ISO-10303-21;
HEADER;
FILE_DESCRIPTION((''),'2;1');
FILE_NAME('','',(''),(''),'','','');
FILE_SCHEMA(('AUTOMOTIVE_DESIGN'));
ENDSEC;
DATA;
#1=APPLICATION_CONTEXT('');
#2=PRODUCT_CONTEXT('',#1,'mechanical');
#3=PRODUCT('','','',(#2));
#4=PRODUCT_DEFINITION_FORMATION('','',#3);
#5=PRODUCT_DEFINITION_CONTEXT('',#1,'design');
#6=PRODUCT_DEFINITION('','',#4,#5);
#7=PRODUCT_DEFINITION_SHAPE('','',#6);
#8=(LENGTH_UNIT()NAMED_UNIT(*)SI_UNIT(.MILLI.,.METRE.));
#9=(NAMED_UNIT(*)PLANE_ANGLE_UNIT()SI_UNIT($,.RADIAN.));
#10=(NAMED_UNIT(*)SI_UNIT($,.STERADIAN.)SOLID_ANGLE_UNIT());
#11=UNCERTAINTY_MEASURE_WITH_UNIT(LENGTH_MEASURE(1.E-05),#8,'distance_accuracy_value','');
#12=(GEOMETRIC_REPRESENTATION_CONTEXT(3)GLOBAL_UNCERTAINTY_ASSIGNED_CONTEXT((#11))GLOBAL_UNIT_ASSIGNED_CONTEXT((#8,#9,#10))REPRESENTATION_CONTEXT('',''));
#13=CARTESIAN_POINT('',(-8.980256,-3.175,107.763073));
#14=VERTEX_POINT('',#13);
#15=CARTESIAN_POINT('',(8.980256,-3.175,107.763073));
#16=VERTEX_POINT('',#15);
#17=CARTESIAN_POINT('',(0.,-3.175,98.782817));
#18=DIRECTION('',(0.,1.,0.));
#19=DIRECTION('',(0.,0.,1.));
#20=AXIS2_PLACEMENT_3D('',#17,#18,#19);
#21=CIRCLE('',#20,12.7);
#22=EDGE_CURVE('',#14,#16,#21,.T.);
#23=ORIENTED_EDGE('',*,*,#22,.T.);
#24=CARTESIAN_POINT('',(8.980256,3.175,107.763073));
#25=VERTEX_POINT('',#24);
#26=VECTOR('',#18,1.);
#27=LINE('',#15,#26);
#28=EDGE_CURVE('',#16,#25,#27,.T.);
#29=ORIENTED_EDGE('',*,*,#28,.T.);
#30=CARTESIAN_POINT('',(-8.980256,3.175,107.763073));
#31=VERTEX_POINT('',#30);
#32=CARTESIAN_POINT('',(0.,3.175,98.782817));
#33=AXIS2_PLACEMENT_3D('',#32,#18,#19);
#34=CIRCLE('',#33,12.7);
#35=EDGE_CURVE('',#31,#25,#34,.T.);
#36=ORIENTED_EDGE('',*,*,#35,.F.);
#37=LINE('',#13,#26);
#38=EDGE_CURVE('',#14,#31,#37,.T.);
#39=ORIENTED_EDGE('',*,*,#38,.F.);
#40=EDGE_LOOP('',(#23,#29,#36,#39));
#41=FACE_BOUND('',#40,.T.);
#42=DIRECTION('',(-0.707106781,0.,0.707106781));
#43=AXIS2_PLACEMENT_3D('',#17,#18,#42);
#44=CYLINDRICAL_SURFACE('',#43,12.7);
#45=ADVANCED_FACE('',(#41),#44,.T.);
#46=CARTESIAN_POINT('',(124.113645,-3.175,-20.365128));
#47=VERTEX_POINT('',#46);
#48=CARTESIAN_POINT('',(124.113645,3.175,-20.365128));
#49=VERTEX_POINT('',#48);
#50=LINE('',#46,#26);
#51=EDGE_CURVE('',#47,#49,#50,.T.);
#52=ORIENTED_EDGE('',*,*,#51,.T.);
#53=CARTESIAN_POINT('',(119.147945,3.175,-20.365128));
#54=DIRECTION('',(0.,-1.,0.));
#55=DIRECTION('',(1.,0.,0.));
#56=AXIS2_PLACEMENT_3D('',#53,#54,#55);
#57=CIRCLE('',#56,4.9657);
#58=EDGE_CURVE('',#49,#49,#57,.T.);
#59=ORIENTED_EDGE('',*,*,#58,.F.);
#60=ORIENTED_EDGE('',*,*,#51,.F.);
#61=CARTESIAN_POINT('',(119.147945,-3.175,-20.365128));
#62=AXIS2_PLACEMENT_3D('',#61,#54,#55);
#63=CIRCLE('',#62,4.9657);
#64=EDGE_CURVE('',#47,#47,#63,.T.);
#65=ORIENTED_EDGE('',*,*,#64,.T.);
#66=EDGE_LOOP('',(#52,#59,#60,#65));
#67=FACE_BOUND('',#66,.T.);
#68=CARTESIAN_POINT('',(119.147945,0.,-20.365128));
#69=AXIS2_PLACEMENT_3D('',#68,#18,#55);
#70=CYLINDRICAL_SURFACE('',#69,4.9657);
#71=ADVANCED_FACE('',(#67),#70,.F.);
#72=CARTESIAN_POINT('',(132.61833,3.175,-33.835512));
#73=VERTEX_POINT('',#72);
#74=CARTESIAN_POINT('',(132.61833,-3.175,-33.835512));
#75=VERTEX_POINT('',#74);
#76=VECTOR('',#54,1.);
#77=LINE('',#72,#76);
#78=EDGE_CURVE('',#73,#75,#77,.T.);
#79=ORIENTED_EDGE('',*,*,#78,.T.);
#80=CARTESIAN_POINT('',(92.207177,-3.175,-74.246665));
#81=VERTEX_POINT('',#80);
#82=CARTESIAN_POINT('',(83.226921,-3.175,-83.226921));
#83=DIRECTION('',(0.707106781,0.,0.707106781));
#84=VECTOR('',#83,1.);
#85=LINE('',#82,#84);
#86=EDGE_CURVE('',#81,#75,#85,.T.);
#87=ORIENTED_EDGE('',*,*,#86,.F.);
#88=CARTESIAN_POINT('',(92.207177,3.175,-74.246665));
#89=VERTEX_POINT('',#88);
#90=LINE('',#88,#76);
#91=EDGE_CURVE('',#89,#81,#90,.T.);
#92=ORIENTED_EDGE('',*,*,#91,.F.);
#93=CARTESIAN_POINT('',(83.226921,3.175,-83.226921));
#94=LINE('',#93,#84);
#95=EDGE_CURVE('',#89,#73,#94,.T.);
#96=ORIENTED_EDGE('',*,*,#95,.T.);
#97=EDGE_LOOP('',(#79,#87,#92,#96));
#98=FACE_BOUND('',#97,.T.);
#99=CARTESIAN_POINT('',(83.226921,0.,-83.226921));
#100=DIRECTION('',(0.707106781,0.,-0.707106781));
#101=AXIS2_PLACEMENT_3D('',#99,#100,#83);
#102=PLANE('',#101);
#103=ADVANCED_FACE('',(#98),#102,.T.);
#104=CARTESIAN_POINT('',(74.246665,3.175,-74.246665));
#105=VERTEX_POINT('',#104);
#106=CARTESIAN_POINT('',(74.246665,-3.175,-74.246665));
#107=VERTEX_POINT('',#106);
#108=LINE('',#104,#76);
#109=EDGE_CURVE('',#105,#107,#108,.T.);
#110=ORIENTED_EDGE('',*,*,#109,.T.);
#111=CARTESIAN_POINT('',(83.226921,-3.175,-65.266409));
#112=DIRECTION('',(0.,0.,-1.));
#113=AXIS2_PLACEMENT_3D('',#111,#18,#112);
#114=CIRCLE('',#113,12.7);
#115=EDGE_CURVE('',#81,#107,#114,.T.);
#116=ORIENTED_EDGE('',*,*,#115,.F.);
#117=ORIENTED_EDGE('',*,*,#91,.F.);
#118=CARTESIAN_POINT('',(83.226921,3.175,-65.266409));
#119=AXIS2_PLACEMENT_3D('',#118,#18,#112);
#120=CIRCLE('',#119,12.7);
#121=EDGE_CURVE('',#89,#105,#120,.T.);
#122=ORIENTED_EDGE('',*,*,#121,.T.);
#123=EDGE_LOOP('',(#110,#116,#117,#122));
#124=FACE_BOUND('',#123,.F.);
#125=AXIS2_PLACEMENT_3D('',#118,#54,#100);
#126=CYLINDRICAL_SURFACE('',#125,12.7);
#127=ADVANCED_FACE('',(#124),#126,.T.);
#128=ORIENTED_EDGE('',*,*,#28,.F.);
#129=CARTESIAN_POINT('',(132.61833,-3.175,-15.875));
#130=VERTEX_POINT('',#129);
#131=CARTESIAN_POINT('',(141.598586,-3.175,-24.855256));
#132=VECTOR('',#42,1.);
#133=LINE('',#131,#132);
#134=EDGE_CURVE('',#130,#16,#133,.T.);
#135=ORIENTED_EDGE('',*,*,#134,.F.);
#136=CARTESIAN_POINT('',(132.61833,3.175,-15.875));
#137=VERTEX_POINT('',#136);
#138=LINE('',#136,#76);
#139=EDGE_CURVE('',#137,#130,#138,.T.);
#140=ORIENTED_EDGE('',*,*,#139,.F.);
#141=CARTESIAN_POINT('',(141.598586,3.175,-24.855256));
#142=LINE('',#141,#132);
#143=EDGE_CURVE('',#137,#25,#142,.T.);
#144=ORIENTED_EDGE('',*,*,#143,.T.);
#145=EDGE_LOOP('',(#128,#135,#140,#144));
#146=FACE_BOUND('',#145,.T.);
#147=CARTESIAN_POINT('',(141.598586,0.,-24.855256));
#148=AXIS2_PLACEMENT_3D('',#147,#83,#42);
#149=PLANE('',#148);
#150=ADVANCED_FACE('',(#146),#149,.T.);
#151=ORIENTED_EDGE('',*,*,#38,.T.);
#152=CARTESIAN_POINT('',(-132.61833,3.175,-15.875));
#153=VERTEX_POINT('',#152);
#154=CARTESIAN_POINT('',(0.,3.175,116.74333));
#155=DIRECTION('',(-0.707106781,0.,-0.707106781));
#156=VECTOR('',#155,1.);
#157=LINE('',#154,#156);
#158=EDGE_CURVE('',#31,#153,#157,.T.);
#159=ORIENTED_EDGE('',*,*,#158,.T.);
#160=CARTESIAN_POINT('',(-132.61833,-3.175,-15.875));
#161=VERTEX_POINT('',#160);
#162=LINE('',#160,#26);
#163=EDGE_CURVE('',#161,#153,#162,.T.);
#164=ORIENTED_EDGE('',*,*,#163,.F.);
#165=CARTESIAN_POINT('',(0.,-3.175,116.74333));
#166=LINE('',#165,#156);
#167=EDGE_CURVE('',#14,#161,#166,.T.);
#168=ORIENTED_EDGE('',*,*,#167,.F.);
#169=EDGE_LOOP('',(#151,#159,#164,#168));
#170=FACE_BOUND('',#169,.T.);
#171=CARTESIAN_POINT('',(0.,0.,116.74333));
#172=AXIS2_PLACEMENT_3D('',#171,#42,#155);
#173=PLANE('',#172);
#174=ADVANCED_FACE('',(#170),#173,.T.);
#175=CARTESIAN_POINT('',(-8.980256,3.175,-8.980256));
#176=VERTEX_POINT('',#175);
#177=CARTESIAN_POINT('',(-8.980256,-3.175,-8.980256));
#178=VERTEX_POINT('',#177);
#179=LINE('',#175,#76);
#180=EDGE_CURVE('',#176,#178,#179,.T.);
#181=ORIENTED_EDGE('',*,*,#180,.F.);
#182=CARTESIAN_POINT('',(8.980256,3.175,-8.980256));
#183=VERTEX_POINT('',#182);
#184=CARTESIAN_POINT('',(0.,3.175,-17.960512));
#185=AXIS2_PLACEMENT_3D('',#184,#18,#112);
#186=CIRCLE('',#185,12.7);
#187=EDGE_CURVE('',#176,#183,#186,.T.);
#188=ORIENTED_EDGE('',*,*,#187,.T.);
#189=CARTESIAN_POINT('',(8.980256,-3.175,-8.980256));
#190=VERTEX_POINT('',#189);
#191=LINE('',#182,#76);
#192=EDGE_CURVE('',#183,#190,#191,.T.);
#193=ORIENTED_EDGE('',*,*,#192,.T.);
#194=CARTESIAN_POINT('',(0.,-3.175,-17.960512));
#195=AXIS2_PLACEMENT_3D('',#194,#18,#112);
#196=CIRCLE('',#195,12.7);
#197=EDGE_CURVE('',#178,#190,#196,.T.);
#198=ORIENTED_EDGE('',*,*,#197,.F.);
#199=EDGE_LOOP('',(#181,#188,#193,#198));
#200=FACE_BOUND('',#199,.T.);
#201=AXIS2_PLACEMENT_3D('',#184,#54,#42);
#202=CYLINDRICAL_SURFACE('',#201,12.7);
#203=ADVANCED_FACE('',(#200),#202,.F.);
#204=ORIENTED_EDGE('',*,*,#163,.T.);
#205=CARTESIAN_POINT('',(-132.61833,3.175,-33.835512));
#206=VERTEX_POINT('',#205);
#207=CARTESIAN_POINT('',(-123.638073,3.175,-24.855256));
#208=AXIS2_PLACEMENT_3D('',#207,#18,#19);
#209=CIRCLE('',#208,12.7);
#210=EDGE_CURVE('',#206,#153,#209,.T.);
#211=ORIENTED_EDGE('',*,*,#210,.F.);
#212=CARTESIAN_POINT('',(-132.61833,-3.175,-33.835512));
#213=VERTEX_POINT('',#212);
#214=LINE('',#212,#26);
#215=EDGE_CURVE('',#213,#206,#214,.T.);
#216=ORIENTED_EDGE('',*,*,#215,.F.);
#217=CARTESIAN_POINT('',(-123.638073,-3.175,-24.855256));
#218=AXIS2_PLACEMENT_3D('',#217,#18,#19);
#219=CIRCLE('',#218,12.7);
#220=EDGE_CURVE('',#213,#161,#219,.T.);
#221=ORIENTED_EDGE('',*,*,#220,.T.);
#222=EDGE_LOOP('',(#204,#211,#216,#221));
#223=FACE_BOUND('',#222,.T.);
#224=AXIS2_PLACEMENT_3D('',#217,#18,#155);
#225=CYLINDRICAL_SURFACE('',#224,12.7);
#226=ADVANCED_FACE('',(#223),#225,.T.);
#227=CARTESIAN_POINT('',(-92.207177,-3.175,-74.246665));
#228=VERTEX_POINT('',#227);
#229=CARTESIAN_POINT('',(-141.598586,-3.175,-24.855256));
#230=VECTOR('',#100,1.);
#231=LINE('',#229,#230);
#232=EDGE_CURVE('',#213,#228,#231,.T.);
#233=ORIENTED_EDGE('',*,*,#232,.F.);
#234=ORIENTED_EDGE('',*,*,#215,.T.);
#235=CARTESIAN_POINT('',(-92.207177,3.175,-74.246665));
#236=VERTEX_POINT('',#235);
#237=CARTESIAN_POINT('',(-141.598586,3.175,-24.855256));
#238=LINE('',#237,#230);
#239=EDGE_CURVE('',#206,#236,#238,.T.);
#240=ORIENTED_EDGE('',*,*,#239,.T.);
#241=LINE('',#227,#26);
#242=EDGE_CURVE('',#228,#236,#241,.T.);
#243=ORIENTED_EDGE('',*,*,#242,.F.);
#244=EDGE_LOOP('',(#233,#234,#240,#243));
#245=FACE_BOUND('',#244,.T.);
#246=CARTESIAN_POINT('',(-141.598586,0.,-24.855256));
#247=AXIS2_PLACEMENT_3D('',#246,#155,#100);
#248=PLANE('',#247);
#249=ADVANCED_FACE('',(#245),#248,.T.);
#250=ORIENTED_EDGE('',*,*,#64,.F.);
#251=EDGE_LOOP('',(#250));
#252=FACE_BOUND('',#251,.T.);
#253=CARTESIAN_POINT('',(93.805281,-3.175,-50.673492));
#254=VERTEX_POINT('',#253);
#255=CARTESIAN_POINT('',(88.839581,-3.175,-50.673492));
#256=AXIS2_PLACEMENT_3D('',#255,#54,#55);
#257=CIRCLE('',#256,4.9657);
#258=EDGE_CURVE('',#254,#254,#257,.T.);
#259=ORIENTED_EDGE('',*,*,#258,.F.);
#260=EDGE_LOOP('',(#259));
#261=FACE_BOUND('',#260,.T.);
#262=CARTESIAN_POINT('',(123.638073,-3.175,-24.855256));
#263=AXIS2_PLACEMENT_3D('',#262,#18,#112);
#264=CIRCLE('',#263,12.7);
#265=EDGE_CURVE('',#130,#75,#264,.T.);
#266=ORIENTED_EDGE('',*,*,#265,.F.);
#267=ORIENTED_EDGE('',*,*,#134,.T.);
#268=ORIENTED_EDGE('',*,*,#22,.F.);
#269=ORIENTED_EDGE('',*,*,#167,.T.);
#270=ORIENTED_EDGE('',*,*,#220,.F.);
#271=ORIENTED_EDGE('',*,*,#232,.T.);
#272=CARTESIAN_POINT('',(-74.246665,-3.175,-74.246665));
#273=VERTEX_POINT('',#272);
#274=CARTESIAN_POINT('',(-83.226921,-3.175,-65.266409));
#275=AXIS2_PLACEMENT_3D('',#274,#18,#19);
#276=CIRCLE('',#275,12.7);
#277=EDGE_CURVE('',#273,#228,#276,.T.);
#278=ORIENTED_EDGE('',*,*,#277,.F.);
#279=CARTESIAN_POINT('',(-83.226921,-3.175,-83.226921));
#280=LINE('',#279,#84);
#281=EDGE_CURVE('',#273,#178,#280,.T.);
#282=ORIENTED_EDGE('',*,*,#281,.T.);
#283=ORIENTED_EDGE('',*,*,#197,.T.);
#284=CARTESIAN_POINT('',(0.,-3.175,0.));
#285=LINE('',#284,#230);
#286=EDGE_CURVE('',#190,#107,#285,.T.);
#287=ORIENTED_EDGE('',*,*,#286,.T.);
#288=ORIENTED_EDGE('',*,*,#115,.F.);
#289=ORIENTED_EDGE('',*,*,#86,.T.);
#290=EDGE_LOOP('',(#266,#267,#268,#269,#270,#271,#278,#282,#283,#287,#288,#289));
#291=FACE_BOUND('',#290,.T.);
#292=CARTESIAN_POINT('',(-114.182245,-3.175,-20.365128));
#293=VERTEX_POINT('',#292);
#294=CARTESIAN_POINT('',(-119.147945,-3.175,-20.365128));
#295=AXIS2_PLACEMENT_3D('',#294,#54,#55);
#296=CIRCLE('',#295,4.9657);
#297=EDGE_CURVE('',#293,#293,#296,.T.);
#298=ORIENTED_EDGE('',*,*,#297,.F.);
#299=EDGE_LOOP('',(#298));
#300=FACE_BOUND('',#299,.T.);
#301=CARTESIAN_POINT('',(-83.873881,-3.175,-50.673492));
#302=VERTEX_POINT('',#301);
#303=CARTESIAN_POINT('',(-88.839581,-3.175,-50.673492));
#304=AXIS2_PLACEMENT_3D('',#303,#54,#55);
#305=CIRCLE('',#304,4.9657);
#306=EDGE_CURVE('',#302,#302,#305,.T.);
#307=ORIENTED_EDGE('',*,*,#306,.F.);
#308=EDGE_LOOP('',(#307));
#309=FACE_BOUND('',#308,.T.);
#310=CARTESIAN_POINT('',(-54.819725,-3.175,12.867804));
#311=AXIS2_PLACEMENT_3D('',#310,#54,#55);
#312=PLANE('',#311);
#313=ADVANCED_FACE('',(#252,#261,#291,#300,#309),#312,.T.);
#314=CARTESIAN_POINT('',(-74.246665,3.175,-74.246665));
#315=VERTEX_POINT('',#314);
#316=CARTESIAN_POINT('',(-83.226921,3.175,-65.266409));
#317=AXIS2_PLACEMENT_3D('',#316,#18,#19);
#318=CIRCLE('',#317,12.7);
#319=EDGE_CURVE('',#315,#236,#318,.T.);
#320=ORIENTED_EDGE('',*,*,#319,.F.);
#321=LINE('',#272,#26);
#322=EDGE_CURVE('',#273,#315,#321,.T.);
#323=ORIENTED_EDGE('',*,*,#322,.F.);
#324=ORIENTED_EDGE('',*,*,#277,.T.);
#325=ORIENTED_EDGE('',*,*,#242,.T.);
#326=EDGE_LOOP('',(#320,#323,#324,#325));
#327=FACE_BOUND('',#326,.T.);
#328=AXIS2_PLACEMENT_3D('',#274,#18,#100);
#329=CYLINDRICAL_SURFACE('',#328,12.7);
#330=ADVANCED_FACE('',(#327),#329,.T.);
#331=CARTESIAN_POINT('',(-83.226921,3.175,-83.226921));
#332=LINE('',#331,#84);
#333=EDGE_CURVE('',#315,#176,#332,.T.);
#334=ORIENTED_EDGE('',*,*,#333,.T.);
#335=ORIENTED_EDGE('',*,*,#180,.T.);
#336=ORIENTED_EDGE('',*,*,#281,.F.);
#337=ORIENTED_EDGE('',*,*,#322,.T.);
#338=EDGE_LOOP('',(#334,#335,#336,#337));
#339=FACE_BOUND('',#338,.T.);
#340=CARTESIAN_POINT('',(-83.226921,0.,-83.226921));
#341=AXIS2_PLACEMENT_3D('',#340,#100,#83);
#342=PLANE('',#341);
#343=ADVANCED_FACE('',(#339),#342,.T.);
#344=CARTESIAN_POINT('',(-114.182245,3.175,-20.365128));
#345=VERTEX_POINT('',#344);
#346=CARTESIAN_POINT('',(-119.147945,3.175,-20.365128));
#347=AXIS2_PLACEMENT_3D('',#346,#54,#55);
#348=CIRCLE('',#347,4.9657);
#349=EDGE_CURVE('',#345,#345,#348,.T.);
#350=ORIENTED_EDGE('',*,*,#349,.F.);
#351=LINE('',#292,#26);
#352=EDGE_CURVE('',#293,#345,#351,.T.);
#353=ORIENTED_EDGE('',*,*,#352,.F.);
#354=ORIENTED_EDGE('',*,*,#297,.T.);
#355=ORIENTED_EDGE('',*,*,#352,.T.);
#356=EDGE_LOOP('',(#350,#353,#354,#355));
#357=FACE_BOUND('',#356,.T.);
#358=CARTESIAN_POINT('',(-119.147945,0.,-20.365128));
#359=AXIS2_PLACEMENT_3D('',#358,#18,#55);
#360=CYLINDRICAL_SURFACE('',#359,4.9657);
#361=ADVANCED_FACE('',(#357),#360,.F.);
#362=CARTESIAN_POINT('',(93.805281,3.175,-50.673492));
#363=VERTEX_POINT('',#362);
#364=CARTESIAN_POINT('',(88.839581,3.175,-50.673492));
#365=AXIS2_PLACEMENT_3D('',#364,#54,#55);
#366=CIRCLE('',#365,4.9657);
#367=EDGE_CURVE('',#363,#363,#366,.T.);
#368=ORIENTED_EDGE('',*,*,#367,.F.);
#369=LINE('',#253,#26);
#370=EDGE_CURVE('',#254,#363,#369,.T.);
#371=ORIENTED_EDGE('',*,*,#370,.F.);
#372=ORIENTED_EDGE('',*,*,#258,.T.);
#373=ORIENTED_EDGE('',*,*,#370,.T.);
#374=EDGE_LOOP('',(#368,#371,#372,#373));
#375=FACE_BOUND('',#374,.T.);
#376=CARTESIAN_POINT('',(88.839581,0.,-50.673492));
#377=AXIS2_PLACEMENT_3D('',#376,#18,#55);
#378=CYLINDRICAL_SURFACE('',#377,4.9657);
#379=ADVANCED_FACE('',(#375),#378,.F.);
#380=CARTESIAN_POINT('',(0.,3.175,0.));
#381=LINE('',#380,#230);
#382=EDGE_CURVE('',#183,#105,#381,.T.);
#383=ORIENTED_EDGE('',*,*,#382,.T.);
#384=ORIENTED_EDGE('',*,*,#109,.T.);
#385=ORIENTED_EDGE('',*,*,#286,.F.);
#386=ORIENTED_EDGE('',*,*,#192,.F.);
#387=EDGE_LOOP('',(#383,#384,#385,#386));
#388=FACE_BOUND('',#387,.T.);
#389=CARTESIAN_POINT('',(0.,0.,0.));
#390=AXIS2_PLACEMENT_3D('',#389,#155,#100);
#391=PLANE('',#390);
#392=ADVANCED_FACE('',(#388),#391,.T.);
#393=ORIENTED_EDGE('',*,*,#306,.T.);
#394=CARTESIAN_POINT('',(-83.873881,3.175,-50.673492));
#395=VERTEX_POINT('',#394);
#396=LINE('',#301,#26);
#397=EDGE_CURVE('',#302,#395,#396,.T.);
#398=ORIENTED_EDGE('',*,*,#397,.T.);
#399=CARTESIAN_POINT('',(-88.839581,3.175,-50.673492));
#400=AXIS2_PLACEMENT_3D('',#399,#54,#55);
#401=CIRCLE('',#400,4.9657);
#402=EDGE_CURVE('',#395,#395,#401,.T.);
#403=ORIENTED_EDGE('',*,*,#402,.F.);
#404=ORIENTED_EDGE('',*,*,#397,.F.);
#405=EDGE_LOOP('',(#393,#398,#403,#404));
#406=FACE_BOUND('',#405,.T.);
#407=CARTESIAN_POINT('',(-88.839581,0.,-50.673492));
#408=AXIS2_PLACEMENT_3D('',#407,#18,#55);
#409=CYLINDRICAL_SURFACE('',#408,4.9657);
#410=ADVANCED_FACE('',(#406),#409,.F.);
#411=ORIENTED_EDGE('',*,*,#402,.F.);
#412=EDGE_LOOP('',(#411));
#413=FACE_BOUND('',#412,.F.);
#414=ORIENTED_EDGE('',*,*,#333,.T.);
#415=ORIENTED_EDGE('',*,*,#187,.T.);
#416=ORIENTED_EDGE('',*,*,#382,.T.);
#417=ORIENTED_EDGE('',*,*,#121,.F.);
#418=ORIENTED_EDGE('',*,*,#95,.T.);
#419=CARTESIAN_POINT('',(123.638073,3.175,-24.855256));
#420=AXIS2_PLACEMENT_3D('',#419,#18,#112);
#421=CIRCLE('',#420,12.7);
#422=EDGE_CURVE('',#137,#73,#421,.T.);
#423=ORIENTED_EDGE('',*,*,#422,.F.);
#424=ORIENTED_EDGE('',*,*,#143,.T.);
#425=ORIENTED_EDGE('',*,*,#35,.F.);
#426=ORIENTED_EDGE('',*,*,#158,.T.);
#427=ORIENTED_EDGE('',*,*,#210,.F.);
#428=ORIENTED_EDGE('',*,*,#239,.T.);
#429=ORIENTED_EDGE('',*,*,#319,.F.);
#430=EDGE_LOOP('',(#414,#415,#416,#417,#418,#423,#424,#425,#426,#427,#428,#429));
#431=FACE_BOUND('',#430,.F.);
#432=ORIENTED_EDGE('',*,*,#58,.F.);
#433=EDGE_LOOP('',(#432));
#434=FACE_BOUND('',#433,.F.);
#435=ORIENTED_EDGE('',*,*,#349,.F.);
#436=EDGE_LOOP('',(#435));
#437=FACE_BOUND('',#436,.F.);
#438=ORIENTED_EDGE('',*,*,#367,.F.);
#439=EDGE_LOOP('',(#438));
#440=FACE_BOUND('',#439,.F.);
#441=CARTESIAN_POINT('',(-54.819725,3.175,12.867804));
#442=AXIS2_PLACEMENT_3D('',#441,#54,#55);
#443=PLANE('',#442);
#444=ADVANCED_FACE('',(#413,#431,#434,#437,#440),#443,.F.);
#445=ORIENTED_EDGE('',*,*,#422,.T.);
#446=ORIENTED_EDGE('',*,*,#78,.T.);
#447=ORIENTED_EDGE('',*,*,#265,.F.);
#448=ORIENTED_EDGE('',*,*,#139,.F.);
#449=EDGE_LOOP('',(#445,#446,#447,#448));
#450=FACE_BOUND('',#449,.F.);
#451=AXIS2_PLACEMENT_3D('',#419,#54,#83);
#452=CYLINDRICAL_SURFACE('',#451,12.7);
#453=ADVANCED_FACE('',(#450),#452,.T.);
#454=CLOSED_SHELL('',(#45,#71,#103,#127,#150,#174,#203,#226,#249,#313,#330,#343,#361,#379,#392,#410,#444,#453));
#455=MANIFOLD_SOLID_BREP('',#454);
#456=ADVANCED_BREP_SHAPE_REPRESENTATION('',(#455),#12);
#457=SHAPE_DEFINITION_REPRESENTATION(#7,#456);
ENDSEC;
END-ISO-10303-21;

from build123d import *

# Parameters (mm, degrees)
F0_R     = 4.9657
F1_DEPTH = 3.175
F2_R     = 12.7


with BuildPart() as f1:
    # F0 (on Front) → F1 (new body, symmetric)
    with BuildSketch(Plane.XZ):
        Polygon((-83.226920908, -83.226920908), (0, 0), (0, 4.1710244843), (0, 116.7433295739), (-141.598585695, -24.8552561211), align=None)
        with Locations((-88.8395809837, -50.6734924691)):
            Circle(F0_R, mode=Mode.SUBTRACT)
        with Locations((-119.1479453923, -20.3651280605)):
            Circle(F0_R, mode=Mode.SUBTRACT)
        Polygon((0, 4.1710244843), (0, 0), (83.226920908, -83.226920908), (141.598585695, -24.8552561211), (0, 116.7433295739), align=None)
        with Locations((88.8395809837, -50.6734924691)):
            Circle(F0_R, mode=Mode.SUBTRACT)
        with Locations((119.1479453923, -20.3651280605)):
            Circle(F0_R, mode=Mode.SUBTRACT)
    extrude(amount=F1_DEPTH, both=True)

    # F2
    f2_edges = [f1.edges().sort_by_distance(p)[0] for p in [
        (-141.598586, 0, -24.855256),
        (0, 0, 116.74333),
        (0, 0, 0),
        (83.226921, 0, -83.226921),
        (141.598586, 0, -24.855256),
        (-83.226921, 0, -83.226921),
    ]]
    fillet(f2_edges, radius=F2_R)


solid = f1.part
